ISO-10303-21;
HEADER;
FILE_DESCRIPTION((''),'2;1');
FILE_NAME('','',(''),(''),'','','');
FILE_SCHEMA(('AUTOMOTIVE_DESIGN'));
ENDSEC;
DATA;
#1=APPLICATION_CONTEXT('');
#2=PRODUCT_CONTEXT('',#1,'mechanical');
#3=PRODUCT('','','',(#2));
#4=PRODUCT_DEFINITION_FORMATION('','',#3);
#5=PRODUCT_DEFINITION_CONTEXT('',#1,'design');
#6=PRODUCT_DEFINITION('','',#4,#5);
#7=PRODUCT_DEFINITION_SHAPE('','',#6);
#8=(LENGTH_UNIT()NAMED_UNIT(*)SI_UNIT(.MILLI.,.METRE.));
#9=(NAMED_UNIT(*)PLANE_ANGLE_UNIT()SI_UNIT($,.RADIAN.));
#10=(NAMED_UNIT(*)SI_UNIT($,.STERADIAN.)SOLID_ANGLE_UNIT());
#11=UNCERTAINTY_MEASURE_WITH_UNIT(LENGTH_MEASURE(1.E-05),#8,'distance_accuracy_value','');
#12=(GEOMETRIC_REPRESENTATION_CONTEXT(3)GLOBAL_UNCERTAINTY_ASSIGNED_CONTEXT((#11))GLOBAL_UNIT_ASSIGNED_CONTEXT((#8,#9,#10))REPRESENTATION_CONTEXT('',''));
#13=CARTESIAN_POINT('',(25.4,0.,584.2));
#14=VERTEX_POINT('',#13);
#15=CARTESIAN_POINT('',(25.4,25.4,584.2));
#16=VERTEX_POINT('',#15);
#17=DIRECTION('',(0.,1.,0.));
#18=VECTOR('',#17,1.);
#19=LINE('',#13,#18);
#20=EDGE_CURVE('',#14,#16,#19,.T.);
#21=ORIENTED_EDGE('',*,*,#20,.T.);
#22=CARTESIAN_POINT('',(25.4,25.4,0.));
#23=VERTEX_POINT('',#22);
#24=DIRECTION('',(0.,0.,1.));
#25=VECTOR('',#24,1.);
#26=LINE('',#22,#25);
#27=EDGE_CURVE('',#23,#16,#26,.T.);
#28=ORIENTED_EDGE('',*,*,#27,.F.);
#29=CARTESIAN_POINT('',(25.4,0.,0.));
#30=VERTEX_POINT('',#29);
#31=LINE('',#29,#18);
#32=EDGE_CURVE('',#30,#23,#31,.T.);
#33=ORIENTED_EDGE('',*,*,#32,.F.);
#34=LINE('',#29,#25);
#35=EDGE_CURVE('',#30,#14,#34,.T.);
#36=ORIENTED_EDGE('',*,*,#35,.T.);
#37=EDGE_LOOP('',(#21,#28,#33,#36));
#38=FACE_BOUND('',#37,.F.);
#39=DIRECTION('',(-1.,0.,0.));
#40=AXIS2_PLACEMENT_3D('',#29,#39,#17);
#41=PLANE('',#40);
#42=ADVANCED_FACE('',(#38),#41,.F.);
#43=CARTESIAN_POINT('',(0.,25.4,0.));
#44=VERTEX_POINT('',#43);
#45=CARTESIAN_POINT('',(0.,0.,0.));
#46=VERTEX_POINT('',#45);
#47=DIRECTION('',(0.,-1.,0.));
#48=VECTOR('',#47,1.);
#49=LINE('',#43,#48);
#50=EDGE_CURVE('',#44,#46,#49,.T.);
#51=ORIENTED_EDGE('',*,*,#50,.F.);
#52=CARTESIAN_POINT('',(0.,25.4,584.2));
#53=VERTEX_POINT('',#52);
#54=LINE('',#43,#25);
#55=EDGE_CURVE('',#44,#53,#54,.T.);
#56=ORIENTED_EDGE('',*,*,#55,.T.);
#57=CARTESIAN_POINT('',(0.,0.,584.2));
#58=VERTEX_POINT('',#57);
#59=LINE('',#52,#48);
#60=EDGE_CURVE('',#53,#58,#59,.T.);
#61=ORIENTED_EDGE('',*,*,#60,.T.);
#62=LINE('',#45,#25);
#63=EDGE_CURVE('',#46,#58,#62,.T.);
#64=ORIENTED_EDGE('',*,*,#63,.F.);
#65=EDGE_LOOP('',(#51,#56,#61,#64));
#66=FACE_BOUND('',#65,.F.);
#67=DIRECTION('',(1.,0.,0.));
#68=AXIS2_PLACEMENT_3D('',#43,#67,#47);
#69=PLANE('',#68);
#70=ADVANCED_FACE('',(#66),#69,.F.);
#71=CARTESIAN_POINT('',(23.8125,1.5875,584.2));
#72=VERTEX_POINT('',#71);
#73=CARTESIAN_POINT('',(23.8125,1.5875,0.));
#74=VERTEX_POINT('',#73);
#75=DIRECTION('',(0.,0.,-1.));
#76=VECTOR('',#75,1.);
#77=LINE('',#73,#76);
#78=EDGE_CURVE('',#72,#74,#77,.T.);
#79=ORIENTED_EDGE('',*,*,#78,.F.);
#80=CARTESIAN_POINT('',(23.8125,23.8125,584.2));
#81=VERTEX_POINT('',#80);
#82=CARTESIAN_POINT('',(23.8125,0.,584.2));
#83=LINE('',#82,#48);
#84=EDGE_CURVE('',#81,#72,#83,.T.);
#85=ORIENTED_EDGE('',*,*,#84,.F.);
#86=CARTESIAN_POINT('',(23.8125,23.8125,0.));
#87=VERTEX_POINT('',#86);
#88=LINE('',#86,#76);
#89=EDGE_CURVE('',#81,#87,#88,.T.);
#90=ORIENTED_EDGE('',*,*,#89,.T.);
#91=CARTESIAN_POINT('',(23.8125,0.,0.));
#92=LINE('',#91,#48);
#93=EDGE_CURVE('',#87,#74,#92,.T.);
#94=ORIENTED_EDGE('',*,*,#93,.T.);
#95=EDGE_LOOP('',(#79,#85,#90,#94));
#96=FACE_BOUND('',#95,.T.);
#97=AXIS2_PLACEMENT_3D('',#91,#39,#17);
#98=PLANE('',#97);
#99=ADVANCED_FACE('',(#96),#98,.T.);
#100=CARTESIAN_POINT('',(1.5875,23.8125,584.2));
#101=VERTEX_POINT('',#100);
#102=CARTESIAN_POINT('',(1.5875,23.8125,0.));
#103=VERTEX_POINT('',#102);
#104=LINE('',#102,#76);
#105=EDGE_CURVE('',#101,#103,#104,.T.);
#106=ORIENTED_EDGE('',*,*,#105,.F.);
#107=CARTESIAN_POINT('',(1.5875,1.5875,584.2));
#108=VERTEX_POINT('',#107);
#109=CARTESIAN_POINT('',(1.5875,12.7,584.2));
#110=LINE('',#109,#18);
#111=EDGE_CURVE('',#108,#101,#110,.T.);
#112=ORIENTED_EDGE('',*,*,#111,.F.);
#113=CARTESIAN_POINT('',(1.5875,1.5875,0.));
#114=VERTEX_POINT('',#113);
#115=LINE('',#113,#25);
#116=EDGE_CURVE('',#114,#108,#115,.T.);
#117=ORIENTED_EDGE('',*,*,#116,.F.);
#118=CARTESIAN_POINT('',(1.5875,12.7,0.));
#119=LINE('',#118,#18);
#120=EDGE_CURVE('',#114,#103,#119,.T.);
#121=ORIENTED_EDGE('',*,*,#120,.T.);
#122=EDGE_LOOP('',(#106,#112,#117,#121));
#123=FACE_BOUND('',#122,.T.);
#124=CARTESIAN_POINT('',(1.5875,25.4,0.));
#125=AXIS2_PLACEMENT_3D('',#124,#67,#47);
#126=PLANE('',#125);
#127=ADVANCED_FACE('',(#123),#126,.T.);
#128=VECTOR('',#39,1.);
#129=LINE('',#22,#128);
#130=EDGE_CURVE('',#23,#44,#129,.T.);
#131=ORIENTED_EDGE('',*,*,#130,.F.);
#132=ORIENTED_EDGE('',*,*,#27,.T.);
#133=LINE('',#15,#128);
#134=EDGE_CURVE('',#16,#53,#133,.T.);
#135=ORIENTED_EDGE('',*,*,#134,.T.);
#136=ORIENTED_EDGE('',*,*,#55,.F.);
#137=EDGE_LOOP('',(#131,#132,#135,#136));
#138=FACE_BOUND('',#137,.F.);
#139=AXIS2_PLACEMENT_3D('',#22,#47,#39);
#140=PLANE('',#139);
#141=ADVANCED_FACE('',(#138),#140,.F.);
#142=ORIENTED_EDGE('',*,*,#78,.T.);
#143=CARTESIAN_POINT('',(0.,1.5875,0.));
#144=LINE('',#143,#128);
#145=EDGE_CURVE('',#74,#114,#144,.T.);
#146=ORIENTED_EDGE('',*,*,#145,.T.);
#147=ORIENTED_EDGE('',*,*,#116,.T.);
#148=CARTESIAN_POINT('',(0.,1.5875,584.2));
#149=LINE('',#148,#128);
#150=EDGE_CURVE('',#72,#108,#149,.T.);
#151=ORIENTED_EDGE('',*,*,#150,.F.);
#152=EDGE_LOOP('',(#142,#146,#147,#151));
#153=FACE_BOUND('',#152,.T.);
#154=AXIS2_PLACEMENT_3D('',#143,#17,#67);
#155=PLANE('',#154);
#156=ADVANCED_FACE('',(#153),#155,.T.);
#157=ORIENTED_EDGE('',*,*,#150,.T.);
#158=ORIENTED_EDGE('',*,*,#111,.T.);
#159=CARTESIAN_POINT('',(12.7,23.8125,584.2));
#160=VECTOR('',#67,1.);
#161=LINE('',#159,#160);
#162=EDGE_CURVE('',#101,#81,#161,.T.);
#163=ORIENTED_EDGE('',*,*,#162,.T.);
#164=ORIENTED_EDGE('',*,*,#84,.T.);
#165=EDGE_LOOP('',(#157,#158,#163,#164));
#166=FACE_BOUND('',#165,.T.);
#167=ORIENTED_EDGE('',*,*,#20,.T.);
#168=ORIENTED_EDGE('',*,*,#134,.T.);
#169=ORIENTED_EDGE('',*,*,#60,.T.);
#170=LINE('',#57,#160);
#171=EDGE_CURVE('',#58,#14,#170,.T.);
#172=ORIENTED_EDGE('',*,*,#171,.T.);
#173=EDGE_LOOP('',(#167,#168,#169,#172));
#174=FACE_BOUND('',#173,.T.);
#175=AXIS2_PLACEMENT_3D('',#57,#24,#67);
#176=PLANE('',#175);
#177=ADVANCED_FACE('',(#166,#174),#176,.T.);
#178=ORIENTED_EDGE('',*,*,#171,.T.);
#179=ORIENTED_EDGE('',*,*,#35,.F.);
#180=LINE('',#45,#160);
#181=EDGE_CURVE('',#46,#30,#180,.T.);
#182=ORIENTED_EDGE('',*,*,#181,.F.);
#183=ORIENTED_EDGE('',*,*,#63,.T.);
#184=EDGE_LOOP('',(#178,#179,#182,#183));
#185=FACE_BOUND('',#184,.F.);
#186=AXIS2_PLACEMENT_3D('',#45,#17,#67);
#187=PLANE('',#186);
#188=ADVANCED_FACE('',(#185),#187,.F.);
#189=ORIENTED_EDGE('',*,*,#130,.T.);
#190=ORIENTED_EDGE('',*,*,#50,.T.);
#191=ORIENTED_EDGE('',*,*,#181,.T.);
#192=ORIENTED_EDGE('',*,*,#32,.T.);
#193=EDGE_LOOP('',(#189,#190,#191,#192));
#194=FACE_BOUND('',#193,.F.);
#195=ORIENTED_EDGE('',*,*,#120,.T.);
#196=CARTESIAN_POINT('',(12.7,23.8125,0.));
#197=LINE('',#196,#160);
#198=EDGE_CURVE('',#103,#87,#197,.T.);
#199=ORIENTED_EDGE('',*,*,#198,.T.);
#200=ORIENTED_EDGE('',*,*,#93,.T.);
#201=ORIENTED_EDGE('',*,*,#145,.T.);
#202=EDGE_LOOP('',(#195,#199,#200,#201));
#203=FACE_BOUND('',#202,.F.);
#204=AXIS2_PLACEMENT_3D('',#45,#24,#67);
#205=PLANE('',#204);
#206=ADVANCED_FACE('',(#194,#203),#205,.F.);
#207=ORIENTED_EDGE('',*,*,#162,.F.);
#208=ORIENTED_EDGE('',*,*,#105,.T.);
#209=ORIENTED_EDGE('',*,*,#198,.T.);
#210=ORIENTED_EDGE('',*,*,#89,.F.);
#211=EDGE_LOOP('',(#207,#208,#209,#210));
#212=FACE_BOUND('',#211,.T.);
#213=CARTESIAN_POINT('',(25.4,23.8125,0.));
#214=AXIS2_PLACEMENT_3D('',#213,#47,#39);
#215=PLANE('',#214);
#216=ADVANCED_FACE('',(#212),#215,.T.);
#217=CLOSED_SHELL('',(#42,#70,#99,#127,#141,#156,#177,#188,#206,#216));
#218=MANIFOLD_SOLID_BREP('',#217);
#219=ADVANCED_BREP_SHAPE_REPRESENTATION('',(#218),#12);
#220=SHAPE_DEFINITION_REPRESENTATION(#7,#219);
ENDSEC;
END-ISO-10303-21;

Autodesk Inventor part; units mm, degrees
ref_plane "YZ Plane" through (0, 0, 0) normal (1, 0, 0) x (0, 1, 0)
ref_plane "XZ Plane" through (0, 0, 0) normal (0, 1, 0) x (-1, 0, 0)
ref_plane "XY Plane" through (0, 0, 0) normal (0, 0, 1) x (1, 0, 0)
sketch "Sketch1" plane through (0, 0, 0) normal (0, 0, 1) x (1, 0, 0)
  line L0 (0, 0) -> (25.4, 0)
  line L1 (25.4, 0) -> (25.4, 25.4)
  line L2 (25.4, 25.4) -> (0, 25.4)
  line L3 (0, 25.4) -> (0, 0)
  dimension "d0" = 25.4
  dimension "d1" = 25.4
extrude "Extrusion1" add sketch "Sketch1" along normal blind 584.2
shell "Shell1" thickness 1.5875 removed faces 2 at (8.4667, 16.9333, 0) at (8.4667, 16.9333, 584.2)
properties part number "Frame_MidCrossRail" material "Aluminum-6061"
